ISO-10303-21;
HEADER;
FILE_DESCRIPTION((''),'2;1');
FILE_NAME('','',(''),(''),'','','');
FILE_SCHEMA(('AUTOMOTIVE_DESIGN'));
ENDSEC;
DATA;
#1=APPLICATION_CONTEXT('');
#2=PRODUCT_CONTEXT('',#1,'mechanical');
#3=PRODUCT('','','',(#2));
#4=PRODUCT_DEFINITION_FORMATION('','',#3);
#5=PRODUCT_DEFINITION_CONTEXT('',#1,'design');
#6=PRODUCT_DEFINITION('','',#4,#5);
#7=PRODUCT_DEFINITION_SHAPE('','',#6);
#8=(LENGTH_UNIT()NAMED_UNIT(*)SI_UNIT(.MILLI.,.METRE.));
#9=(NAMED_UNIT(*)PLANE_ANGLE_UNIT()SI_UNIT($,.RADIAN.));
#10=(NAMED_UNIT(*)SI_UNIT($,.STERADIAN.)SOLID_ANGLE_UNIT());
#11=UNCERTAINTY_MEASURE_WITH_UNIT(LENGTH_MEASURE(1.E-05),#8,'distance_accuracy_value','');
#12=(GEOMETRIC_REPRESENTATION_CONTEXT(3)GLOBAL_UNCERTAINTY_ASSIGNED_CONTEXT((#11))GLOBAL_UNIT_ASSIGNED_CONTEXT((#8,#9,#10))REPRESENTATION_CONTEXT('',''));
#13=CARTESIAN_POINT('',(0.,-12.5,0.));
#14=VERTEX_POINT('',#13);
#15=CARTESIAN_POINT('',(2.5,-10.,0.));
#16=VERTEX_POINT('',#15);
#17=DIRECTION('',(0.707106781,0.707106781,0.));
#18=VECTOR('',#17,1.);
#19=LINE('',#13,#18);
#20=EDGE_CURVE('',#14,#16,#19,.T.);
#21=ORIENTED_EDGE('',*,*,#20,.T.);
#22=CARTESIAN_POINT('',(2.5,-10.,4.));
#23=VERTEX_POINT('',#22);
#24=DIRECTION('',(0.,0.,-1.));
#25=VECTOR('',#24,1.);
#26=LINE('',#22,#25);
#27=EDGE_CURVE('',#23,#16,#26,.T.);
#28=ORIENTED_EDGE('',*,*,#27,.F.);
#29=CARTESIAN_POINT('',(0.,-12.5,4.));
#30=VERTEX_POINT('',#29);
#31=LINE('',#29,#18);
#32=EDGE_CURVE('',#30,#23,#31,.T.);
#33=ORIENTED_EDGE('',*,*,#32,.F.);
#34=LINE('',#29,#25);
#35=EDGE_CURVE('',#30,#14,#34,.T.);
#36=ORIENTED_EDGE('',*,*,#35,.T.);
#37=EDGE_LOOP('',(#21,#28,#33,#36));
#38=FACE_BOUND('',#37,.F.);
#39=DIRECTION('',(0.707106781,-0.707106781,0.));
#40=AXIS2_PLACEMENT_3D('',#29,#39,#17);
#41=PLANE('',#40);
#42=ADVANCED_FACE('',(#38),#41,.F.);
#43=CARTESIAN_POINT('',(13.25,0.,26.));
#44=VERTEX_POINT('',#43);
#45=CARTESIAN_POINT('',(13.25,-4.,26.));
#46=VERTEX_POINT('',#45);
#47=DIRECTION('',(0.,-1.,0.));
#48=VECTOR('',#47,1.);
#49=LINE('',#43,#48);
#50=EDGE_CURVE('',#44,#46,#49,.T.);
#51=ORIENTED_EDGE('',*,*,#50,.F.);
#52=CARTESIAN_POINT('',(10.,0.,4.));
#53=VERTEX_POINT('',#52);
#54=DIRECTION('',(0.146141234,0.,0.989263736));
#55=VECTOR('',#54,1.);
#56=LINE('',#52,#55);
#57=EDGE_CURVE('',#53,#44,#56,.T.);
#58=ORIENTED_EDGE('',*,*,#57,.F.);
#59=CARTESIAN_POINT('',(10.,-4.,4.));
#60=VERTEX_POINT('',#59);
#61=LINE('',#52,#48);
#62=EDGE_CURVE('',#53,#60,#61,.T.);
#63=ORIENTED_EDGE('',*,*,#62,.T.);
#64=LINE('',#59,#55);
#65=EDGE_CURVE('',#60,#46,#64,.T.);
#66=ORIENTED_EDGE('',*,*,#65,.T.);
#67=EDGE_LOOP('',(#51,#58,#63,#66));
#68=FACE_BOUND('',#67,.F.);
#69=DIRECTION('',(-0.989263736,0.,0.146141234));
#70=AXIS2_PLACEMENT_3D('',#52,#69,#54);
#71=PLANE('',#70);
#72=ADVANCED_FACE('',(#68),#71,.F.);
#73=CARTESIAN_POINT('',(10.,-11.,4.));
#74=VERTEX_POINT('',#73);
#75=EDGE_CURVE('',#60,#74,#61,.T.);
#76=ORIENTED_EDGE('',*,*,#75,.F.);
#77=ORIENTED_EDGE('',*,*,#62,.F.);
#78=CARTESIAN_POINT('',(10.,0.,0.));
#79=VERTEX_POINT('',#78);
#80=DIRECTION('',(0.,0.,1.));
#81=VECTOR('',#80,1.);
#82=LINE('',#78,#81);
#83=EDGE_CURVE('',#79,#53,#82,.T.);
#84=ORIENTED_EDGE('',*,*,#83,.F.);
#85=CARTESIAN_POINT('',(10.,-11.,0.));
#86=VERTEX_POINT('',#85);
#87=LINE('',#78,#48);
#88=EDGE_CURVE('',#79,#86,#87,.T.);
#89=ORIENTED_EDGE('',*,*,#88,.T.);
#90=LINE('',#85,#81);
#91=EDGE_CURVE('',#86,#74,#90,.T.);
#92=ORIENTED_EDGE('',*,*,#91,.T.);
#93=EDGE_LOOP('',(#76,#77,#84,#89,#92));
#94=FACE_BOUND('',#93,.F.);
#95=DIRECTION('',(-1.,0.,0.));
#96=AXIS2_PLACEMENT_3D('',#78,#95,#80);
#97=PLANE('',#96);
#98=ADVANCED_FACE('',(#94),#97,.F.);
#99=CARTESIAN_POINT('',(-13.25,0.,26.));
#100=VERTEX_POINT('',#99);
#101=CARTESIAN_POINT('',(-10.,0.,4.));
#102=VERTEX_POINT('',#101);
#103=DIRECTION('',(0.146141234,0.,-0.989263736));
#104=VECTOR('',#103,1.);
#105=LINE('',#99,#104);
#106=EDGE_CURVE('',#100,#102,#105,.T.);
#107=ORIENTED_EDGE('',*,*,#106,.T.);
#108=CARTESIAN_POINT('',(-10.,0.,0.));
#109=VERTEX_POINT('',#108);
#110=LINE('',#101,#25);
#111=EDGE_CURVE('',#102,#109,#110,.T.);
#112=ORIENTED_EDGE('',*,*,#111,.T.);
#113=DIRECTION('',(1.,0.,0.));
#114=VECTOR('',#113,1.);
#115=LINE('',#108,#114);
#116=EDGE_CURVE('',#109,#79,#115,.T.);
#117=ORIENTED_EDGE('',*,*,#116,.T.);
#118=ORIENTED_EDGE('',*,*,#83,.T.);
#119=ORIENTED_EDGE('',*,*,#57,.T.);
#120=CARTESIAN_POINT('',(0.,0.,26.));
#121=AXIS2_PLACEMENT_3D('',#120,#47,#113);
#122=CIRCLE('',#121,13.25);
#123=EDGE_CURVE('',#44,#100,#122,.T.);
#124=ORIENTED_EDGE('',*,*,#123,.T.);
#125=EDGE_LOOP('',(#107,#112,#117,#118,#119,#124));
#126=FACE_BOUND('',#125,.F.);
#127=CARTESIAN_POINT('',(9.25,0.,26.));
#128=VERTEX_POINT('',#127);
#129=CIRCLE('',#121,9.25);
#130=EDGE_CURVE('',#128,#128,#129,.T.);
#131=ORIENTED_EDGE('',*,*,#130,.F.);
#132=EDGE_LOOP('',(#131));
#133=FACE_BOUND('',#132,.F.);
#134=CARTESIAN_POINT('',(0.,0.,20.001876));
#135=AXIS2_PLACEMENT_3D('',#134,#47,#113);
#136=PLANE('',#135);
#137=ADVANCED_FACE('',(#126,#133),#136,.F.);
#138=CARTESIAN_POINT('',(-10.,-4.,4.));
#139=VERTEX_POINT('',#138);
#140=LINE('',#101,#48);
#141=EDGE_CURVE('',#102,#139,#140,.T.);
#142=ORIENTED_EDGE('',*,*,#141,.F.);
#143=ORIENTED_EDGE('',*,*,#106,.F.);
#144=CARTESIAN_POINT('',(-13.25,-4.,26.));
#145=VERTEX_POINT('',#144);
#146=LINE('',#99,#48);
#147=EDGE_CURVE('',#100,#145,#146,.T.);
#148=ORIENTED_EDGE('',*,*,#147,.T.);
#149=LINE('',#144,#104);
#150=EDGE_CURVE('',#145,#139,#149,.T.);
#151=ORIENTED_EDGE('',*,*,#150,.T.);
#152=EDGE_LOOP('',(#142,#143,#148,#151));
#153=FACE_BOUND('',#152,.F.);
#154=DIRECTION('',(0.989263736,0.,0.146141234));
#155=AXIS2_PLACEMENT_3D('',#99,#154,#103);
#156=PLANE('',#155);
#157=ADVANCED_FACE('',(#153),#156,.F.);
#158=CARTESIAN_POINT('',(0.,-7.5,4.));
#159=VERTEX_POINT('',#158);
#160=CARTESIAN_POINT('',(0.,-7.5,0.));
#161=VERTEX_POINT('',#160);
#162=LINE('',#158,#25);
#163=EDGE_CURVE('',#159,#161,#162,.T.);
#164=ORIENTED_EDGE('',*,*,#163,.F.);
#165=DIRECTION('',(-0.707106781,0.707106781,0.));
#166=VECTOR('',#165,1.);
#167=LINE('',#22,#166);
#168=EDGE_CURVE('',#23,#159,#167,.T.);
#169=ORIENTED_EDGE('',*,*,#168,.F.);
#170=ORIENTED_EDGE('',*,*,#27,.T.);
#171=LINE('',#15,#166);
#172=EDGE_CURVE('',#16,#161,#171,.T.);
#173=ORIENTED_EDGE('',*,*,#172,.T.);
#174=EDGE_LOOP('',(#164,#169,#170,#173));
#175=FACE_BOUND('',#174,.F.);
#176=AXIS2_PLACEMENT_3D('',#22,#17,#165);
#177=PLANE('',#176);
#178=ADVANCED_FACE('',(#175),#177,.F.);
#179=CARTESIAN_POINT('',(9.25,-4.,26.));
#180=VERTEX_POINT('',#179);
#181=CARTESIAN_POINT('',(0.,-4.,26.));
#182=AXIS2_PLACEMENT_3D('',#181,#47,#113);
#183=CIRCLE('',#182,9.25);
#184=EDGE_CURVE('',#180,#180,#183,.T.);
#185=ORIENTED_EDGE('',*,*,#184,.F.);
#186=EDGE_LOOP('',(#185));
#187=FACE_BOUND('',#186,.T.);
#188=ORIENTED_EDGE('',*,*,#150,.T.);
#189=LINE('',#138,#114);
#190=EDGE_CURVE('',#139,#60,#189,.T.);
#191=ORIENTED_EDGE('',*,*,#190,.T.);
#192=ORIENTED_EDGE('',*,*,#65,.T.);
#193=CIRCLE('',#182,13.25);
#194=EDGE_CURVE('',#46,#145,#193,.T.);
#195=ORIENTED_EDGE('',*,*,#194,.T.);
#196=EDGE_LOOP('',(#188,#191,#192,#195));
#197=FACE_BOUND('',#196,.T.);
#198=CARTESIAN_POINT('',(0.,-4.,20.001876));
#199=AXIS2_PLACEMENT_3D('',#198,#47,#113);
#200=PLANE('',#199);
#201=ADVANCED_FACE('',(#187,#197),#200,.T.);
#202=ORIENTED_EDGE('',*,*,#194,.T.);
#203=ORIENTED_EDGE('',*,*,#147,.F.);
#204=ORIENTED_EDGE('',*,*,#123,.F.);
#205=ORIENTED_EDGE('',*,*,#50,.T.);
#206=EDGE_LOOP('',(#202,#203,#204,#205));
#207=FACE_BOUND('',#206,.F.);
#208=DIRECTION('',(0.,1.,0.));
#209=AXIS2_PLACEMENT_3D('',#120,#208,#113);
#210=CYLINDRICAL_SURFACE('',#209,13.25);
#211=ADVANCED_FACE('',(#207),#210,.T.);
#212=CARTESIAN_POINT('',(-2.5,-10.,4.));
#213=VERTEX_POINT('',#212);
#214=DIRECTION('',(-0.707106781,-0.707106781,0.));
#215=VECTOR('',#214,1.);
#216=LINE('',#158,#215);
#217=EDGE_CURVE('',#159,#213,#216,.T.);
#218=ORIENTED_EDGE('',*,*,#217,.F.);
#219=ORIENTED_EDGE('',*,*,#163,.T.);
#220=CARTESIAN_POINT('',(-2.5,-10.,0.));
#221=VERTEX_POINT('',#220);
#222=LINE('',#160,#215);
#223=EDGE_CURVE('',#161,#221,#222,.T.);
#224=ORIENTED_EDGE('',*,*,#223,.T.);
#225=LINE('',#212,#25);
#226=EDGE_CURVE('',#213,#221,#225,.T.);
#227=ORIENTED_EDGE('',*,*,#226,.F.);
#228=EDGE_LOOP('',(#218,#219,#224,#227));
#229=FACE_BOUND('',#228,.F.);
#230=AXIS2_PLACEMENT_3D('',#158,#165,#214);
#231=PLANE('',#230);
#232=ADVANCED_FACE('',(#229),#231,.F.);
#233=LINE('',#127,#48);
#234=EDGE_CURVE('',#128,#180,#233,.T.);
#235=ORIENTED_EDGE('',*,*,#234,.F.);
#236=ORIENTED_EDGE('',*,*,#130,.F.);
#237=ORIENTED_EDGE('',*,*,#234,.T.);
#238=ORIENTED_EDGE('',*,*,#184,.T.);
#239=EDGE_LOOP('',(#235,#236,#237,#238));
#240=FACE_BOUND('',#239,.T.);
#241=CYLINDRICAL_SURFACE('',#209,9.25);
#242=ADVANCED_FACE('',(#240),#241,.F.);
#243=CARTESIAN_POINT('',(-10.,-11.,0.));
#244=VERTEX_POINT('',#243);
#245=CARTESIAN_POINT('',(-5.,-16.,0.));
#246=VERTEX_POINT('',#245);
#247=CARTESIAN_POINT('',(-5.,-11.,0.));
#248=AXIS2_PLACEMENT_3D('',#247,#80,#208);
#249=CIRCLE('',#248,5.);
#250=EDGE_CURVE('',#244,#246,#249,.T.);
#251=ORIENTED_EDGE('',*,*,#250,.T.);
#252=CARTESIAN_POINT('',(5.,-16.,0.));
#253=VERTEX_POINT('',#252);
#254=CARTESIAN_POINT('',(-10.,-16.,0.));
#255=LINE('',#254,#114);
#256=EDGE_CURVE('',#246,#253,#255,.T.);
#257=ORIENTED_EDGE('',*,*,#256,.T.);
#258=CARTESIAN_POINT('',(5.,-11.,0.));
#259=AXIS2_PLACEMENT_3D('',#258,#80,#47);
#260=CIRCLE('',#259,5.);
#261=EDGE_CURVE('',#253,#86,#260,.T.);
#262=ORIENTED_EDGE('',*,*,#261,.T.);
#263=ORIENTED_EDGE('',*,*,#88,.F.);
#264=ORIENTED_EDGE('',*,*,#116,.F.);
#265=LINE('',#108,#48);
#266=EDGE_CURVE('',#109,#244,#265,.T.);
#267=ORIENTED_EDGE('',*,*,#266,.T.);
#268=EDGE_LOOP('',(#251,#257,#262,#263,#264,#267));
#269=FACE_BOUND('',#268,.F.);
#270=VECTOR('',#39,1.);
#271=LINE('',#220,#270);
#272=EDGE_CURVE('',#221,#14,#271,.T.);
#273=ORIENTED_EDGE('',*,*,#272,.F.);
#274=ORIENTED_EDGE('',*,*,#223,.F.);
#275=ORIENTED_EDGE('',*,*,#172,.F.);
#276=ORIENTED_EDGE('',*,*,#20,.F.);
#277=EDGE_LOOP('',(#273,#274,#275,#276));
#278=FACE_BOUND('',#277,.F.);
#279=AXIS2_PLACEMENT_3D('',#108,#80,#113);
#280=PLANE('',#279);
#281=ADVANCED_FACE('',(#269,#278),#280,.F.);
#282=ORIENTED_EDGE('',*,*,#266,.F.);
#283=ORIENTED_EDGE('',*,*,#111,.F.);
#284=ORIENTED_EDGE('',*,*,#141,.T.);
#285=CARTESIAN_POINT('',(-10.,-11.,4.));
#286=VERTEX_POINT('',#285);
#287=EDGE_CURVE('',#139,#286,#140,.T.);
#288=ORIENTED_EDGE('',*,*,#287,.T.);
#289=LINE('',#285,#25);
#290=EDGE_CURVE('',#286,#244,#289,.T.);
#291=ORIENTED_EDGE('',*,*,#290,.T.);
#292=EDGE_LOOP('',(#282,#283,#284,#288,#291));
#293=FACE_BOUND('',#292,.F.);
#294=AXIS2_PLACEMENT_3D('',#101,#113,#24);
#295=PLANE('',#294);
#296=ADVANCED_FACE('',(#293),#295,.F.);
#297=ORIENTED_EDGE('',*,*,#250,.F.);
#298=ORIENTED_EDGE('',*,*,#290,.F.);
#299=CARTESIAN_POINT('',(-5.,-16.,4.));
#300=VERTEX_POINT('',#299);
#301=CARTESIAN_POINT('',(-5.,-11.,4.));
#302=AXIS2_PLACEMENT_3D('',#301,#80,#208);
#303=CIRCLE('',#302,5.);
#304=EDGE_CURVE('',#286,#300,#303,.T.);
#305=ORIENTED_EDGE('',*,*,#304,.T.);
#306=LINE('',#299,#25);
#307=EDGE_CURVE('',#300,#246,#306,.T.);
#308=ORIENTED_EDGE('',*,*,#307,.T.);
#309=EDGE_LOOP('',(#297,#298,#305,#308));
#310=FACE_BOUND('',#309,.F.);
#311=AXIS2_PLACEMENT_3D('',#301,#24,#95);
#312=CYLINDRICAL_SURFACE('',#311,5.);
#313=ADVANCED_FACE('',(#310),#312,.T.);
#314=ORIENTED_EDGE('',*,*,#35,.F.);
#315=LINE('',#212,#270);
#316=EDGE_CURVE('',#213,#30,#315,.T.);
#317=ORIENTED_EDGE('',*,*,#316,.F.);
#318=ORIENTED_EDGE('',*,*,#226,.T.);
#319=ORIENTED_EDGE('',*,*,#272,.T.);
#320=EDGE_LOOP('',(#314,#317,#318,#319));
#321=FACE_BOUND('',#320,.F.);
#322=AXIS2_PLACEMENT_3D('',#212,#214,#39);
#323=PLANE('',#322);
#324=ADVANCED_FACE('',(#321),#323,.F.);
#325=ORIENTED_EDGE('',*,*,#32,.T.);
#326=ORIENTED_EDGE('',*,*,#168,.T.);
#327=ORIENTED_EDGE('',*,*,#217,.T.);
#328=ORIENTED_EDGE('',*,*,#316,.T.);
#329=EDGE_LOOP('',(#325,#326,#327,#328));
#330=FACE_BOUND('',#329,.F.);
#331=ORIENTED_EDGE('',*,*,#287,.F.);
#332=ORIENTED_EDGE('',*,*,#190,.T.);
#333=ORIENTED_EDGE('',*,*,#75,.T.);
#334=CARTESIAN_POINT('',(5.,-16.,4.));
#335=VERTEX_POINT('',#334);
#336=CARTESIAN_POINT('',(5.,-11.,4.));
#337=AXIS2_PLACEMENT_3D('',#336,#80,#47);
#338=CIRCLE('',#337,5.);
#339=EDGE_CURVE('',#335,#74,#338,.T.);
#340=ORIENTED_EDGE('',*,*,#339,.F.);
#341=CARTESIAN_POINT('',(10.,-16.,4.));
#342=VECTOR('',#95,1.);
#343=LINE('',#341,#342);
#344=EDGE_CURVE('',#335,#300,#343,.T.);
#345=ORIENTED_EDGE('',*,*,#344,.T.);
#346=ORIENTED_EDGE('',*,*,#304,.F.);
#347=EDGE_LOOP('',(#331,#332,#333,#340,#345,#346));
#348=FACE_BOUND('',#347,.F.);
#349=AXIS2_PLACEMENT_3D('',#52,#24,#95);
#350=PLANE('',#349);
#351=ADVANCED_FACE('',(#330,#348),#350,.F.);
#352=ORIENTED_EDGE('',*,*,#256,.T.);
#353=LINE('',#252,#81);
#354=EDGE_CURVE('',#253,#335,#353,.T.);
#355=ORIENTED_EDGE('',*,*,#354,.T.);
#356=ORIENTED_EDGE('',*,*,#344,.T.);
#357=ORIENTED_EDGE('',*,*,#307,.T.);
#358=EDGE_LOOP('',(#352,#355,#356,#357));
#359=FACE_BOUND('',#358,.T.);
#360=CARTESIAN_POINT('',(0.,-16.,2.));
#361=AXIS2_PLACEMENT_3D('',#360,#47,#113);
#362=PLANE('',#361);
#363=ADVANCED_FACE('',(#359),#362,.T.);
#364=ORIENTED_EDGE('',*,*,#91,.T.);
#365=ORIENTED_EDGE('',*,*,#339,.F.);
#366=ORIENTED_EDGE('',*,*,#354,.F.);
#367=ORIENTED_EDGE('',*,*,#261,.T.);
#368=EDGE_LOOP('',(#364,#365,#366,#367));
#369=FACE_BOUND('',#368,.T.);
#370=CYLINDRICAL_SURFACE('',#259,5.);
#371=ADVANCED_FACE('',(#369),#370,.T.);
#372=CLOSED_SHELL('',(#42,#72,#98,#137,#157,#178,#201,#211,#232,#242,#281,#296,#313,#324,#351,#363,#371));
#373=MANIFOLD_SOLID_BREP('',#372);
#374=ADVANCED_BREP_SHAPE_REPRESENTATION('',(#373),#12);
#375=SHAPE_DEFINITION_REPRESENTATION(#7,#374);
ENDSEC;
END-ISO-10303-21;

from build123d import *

# Parameters (mm, degrees)
F1_DEPTH = 16
F0_R     = 9.25
F2_DEPTH = 4
F4_R     = 5
F5_DEPTH = 4


with BuildPart() as f1:
    # F0 (on Front) → F1 (new body)
    with BuildSketch(Plane.XZ):
        Polygon((-10, 0), (0, 0), (10, 0), (10, 4), (0, 4), (-10, 4), align=None)
    extrude(amount=F1_DEPTH)

    # F0 (on Front) → F2 (join)
    with BuildSketch(Plane.XZ):
        with BuildLine():
            Line((-13.25, 26), (-10, 4))
            Line((-10, 4), (0, 4))
            Line((0, 4), (10, 4))
            Line((10, 4), (13.25, 26))
            ThreePointArc((13.25, 26), (0, 39.25), (-13.25, 26))
        make_face()
        with Locations((0, 26)):
            Circle(F0_R, mode=Mode.SUBTRACT)
    extrude(amount=F2_DEPTH)

    # F4
    f4_edges = [f1.edges().sort_by_distance(p)[0] for p in [
        (-10, -16, 2),
        (10, -16, 2),
    ]]
    fillet(f4_edges, radius=F4_R)

    # F3 (on face) → F5 (cut)
    with BuildSketch(Plane.XY.offset(4)):
        Polygon((-2.5, -10), (0, -10), (0, -7.5), align=None)
        Polygon((0, -12.5), (0, -10), (-2.5, -10), align=None)
        Polygon((2.5, -10), (0, -10), (0, -12.5), align=None)
        Polygon((0, -7.5), (0, -10), (2.5, -10), align=None)
    extrude(amount=-F5_DEPTH, mode=Mode.SUBTRACT)


solid = f1.part
